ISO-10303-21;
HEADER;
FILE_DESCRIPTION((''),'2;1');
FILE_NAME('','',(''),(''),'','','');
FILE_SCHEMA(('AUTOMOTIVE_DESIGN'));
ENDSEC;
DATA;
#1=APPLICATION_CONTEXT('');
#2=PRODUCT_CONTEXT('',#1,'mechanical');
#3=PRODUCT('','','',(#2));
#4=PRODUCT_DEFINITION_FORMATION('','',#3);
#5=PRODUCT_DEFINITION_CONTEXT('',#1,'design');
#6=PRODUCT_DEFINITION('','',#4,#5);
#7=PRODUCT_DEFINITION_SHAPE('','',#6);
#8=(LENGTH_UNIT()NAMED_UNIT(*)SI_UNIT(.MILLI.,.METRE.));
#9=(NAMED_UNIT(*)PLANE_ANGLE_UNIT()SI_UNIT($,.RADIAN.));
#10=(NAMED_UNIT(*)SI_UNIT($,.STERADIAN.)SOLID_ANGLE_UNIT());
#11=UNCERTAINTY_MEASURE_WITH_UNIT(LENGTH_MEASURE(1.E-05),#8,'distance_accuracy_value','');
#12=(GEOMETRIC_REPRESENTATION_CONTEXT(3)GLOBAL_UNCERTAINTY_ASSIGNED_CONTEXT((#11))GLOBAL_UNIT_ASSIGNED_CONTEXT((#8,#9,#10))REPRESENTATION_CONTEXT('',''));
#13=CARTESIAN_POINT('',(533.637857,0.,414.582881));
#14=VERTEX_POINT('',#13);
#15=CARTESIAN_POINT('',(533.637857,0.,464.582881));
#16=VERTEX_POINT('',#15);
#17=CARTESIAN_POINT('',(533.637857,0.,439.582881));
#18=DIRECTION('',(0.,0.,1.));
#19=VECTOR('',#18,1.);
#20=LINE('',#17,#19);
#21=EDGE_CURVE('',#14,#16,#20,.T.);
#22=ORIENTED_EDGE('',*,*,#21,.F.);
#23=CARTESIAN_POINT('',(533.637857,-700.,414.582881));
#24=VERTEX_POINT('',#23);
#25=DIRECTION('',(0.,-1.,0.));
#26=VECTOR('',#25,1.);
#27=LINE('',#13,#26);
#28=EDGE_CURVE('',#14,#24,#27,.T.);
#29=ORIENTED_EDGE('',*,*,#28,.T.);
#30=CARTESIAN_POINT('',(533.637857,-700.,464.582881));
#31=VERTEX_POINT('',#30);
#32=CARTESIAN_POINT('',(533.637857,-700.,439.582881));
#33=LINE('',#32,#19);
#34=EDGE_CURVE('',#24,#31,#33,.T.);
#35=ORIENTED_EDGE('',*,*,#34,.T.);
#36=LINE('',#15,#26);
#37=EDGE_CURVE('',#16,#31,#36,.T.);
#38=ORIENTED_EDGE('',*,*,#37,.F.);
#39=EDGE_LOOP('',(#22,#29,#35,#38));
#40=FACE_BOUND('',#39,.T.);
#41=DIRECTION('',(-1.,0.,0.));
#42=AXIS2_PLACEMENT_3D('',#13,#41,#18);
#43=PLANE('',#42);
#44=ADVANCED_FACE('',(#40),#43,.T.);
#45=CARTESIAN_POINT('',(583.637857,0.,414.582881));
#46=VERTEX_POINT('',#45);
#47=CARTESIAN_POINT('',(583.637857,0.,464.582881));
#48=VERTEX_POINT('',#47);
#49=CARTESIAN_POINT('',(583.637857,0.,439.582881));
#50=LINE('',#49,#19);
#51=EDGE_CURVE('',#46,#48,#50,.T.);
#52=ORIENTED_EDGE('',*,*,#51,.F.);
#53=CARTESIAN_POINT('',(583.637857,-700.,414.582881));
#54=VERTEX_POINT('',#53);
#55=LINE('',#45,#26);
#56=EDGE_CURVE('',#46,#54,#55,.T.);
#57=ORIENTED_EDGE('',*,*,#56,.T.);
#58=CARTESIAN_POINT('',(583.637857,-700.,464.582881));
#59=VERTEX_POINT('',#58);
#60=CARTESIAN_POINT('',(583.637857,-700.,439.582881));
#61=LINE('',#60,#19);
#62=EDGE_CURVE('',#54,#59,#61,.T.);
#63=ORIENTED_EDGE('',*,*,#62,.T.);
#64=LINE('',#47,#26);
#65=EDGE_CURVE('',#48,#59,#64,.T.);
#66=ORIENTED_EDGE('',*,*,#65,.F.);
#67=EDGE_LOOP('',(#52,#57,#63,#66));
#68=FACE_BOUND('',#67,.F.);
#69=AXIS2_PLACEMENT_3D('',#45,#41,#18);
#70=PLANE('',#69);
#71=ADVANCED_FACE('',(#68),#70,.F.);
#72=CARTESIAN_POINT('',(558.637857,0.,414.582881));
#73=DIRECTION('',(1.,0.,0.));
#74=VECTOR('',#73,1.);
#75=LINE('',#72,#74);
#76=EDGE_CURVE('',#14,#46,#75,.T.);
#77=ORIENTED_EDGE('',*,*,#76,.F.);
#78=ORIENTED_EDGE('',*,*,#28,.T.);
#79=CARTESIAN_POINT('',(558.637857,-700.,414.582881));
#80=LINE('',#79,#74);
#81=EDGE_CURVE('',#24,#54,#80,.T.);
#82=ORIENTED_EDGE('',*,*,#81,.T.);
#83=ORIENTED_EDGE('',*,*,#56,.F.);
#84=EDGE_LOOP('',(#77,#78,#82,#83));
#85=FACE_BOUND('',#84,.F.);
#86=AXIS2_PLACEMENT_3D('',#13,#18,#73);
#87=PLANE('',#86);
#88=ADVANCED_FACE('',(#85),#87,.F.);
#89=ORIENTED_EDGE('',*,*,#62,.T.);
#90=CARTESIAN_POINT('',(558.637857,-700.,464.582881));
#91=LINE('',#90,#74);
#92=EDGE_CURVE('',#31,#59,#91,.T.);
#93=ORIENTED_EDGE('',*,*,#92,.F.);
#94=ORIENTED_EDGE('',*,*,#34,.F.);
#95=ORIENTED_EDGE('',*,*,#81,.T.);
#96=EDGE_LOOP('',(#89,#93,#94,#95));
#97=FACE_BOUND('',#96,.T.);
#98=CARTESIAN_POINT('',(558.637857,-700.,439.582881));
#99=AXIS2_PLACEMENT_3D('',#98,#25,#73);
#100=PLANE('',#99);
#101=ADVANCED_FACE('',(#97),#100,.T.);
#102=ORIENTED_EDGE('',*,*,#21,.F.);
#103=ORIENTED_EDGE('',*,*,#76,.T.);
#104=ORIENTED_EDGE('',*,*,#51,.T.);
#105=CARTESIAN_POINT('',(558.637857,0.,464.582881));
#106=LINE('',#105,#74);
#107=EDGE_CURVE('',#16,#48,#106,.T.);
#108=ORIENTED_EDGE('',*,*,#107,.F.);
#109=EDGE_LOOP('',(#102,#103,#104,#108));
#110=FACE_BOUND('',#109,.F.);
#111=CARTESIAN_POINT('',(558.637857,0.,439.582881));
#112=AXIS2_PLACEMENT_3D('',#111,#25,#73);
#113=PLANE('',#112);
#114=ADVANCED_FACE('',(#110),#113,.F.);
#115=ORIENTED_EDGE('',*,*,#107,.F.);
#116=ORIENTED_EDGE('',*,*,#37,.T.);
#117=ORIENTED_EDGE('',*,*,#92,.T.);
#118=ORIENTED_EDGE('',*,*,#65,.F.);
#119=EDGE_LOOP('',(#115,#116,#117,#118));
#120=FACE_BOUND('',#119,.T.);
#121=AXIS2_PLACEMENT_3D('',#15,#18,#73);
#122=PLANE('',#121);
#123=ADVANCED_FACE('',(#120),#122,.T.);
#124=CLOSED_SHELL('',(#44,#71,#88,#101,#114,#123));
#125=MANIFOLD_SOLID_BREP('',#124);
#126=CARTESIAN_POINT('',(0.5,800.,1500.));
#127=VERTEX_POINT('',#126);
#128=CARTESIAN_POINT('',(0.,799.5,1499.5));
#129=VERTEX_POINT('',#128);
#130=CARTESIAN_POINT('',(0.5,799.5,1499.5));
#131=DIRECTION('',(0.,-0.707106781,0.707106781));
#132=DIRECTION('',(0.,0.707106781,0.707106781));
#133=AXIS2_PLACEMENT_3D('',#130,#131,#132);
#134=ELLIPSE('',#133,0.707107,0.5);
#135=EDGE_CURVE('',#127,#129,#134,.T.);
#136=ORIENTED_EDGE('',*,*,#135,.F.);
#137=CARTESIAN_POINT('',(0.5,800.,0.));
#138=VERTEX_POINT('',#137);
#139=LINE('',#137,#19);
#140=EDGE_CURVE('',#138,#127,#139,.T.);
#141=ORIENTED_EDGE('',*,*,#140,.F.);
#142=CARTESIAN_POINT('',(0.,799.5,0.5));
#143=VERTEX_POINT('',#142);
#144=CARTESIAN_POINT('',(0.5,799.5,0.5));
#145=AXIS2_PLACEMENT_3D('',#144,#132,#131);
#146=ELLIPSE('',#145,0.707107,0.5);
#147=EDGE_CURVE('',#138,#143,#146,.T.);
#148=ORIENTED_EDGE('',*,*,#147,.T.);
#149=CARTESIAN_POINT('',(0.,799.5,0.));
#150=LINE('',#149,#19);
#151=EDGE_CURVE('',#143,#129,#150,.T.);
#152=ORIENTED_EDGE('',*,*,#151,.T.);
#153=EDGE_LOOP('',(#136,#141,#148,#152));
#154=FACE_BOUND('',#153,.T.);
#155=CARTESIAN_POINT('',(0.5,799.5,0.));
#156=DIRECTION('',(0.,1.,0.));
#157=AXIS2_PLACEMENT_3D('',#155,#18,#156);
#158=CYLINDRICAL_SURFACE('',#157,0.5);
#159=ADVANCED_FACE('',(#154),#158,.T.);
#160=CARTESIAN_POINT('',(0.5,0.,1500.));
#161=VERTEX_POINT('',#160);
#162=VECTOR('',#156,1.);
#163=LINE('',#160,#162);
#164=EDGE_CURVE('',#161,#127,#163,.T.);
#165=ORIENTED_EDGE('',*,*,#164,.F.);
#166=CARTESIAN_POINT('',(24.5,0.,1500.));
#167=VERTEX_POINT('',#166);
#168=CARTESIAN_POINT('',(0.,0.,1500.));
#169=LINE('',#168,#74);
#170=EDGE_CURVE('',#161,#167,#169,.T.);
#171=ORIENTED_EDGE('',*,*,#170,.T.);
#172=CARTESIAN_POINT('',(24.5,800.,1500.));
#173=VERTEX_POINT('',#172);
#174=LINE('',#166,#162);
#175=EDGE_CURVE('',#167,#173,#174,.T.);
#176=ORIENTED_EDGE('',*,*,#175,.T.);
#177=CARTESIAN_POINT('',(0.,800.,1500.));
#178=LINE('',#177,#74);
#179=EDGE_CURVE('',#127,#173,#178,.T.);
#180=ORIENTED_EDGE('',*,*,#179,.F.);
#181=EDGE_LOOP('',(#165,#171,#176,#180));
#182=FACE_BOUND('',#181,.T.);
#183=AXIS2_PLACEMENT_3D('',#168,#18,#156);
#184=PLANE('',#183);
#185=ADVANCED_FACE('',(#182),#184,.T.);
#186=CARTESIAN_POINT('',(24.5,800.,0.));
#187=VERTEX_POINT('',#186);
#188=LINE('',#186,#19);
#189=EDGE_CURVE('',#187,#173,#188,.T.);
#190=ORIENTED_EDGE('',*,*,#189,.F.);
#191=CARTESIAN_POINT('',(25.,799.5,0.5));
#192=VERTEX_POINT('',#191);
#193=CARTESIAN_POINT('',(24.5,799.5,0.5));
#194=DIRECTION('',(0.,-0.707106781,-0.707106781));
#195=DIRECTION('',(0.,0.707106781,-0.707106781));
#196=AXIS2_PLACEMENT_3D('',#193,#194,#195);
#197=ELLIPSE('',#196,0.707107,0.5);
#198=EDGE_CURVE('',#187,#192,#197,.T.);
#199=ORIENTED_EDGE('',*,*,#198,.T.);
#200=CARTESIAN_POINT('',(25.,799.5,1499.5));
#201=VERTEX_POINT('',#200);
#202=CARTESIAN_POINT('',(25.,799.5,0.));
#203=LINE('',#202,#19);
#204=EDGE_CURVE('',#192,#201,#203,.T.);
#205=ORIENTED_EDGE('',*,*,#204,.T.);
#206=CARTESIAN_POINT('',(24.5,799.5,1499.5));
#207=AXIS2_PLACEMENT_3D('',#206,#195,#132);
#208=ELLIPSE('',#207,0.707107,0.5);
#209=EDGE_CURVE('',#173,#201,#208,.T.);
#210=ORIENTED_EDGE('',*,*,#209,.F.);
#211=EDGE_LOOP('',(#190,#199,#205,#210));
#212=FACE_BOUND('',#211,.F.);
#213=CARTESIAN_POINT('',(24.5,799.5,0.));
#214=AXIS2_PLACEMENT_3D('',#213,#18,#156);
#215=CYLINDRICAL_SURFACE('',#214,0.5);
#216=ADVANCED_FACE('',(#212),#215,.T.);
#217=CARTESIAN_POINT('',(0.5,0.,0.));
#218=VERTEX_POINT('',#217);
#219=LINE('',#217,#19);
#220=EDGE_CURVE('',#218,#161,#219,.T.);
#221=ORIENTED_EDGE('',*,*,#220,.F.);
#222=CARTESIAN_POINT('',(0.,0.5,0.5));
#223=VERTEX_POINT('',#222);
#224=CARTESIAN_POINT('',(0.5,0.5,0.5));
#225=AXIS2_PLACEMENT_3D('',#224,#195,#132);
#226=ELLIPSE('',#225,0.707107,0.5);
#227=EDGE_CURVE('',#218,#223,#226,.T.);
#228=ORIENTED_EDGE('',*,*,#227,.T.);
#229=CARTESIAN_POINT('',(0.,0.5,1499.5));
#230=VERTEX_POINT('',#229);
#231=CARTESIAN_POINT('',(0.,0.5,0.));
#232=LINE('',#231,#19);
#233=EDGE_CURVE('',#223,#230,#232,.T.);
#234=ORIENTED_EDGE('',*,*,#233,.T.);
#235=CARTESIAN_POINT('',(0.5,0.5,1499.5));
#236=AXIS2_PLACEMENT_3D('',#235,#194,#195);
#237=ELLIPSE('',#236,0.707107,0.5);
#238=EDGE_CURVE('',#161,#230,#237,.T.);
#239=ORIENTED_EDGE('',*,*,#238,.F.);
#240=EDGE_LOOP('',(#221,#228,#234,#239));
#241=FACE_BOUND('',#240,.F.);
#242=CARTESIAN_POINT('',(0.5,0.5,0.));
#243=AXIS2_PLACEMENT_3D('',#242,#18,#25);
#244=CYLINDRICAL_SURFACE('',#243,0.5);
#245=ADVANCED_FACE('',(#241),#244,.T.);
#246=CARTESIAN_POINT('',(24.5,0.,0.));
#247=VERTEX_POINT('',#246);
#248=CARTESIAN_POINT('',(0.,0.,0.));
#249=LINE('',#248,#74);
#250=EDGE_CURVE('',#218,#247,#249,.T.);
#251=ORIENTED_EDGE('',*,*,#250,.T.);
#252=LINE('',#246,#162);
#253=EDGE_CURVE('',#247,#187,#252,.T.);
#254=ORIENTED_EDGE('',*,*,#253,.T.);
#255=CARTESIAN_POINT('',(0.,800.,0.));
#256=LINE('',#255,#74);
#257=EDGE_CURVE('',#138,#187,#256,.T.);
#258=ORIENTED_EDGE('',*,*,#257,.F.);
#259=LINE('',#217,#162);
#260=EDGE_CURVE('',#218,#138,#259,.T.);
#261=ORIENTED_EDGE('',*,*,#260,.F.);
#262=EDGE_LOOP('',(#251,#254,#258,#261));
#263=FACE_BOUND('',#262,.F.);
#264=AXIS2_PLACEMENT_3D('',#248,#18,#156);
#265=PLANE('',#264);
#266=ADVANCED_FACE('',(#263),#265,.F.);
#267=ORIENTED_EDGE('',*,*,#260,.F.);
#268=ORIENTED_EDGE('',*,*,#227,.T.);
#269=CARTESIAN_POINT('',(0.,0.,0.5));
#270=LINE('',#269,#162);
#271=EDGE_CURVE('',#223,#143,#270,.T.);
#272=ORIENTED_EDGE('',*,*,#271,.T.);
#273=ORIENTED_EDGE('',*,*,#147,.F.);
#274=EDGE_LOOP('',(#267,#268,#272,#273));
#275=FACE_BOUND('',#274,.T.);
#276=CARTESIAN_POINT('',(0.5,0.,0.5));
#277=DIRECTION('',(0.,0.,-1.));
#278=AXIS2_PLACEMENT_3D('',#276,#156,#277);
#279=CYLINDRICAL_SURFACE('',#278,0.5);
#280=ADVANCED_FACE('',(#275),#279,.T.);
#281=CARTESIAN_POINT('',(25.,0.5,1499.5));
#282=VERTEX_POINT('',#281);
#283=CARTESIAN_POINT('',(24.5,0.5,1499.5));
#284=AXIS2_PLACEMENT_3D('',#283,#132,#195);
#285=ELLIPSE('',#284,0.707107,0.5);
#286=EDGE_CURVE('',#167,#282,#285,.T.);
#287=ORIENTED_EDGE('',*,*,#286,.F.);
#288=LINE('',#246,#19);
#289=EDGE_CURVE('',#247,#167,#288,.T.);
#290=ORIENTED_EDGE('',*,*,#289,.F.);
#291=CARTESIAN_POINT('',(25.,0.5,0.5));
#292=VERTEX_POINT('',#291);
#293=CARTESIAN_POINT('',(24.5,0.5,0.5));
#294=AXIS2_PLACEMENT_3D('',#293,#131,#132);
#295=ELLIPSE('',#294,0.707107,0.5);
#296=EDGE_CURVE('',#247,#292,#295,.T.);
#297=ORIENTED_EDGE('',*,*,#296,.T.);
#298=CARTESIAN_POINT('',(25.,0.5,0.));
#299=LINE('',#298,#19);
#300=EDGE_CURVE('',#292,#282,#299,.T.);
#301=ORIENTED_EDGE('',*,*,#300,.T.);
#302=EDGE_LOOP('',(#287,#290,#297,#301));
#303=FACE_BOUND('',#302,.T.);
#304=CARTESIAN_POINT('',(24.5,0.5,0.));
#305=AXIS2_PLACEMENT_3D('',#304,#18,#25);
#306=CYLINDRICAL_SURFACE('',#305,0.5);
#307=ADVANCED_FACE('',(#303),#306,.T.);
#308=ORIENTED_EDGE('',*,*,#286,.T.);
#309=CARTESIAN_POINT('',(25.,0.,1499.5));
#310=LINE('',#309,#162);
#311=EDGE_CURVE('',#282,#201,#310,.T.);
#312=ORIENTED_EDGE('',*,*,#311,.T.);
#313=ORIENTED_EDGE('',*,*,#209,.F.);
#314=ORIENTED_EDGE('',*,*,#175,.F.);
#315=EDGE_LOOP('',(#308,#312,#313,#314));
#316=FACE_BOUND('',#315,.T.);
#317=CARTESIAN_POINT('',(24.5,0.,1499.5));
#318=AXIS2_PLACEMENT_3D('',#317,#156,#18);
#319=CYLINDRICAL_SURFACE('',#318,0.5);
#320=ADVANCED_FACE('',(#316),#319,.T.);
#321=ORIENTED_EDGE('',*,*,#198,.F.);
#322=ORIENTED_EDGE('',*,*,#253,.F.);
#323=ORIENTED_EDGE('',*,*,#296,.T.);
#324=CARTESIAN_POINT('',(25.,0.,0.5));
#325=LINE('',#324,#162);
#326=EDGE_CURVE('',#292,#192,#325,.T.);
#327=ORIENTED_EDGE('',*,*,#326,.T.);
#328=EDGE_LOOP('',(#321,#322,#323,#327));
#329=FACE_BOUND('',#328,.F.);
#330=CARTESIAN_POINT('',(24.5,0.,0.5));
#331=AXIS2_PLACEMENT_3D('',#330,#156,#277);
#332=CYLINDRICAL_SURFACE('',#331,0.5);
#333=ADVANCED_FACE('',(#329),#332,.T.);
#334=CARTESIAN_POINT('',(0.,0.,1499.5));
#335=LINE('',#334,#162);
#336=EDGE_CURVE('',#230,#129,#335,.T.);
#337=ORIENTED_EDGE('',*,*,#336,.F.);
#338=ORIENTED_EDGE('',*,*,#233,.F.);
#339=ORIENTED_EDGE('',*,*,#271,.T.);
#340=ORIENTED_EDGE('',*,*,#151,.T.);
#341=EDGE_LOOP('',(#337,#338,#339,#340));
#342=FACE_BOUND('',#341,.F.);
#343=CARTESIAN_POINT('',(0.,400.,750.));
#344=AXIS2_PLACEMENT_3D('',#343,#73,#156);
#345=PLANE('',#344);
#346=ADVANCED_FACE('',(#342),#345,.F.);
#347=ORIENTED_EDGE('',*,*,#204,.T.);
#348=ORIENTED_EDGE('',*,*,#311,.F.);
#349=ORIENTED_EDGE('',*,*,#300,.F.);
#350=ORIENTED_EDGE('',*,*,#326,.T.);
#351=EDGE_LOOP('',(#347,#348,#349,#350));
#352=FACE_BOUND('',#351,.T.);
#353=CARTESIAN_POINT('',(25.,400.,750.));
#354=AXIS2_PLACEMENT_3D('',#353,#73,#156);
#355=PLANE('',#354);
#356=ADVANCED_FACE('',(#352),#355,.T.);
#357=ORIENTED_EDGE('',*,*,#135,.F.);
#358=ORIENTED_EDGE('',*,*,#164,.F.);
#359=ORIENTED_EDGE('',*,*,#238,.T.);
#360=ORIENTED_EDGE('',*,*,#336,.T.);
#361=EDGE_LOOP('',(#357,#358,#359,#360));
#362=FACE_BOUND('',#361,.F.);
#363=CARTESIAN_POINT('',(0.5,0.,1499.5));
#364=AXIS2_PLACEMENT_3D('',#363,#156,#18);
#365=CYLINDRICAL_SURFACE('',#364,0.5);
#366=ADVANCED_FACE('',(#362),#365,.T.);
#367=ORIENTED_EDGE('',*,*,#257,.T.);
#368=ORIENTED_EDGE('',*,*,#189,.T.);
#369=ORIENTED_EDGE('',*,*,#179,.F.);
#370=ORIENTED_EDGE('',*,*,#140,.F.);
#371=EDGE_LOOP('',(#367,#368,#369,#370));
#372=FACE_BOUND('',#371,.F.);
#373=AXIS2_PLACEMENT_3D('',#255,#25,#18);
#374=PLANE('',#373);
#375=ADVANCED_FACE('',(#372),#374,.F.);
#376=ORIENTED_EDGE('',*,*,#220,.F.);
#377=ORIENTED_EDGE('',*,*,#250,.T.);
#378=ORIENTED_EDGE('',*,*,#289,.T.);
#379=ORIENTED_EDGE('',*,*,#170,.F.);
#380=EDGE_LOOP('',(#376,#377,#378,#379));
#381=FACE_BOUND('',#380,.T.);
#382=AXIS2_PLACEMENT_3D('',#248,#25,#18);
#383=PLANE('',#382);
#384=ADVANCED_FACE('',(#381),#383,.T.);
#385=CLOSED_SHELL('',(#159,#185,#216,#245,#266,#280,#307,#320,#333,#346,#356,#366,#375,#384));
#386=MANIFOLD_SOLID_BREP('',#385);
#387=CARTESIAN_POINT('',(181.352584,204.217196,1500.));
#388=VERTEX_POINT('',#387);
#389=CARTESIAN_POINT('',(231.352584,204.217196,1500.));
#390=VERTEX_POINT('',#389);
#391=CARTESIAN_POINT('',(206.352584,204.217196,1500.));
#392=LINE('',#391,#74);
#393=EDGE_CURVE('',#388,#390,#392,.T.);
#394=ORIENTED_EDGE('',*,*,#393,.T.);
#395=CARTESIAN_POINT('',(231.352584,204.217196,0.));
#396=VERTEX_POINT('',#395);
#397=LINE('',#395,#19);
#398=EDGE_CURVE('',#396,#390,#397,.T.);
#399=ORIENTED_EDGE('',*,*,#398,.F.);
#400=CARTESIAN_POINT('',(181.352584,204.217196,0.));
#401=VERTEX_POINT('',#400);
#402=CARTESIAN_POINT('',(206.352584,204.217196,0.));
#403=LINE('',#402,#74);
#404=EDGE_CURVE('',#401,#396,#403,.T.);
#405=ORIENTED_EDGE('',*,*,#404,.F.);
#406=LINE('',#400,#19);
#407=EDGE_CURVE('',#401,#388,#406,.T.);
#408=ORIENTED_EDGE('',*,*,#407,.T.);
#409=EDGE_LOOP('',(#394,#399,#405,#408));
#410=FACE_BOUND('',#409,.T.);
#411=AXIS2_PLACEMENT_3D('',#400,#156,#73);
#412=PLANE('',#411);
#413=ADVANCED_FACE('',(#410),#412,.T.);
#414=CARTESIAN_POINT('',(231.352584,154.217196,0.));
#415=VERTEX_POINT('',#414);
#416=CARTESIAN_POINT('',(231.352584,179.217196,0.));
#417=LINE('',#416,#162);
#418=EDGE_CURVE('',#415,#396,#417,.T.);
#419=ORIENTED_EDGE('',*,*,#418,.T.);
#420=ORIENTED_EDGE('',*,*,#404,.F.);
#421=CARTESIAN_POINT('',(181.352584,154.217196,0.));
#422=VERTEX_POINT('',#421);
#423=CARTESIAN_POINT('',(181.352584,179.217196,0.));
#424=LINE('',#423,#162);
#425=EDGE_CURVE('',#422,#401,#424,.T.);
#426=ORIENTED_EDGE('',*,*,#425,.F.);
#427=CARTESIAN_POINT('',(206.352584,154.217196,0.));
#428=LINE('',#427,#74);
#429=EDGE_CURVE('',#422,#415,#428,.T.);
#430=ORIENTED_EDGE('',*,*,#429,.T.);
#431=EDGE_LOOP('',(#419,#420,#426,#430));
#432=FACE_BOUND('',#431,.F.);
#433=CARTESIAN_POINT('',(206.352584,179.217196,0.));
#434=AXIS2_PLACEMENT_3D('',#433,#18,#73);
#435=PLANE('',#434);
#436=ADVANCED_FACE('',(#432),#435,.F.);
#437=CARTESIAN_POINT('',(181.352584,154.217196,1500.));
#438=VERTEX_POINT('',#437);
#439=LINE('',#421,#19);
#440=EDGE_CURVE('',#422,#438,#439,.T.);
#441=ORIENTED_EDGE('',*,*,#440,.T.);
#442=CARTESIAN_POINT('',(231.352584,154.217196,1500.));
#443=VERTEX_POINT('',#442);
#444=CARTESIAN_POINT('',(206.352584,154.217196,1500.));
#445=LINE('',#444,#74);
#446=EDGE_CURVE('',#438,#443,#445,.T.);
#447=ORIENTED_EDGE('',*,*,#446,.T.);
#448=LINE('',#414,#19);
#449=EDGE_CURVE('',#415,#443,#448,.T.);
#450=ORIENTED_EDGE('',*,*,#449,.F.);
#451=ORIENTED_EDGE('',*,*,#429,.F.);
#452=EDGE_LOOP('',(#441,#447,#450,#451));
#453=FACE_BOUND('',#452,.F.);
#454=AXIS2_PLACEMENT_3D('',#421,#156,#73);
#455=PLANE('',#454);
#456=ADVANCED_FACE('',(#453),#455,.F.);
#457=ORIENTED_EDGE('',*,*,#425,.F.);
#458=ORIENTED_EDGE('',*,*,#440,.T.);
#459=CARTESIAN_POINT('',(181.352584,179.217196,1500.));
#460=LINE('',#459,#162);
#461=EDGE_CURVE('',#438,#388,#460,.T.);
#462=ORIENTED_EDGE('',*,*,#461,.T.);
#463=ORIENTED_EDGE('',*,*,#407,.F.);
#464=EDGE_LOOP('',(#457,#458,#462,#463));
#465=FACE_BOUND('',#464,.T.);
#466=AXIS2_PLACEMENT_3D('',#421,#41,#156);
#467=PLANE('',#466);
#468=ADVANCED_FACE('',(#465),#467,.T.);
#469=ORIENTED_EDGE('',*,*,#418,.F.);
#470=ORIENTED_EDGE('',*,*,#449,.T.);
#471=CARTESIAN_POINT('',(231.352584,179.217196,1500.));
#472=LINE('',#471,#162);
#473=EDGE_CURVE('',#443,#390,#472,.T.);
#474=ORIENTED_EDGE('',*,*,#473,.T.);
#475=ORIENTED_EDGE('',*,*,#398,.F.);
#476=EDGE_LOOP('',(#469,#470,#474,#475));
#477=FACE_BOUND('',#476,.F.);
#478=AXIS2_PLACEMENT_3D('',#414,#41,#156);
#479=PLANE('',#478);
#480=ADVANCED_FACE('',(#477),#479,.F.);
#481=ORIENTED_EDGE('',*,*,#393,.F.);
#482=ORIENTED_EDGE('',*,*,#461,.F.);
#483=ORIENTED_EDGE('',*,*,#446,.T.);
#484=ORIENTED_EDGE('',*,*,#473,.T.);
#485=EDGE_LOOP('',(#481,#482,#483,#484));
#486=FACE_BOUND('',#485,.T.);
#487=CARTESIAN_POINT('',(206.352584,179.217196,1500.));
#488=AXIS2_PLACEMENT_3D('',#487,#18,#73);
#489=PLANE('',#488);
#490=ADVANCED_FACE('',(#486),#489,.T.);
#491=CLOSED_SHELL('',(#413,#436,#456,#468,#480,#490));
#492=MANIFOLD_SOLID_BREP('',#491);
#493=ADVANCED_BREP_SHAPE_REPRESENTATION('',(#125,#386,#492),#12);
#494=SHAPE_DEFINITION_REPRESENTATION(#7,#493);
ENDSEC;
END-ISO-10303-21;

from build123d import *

# Parameters (mm, degrees)
F0_W     = 800
F0_H     = 1500
F1_DEPTH = 25
F2_R     = 0.5
F3_W     = 50
F3_H     = 50
F4_DEPTH = 1500
F5_W     = 50
F5_H     = 50
F6_DEPTH = 700


with BuildPart() as f1:
    # F0 (on Right) → F1 (new body)
    with BuildSketch(Plane.YZ):
        with Locations((400, 750)):
            Rectangle(F0_W, F0_H)
    extrude(amount=F1_DEPTH)

    # F2
    f2_edges = [f1.edges().sort_by_distance(p)[0] for p in [
        (25, 400, 1500),
        (25, 0, 750),
        (25, 400, 0),
        (25, 800, 750),
        (0, 800, 750),
        (0, 400, 0),
        (0, 400, 1500),
        (0, 0, 750),
    ]]
    fillet(f2_edges, radius=F2_R)


with BuildPart() as f4:
    # F3 (on Top) → F4 (new body)
    with BuildSketch(Plane.XY):
        with Locations((206.352584, 179.217196)):
            Rectangle(F3_W, F3_H)
    extrude(amount=F4_DEPTH)


with BuildPart() as f6:
    # F5 (on Front) → F6 (new body)
    with BuildSketch(Plane.XZ):
        with Locations((558.637857, 439.582881)):
            Rectangle(F5_W, F5_H)
    extrude(amount=F6_DEPTH)


solid = Compound([f1.part, f4.part, f6.part])
